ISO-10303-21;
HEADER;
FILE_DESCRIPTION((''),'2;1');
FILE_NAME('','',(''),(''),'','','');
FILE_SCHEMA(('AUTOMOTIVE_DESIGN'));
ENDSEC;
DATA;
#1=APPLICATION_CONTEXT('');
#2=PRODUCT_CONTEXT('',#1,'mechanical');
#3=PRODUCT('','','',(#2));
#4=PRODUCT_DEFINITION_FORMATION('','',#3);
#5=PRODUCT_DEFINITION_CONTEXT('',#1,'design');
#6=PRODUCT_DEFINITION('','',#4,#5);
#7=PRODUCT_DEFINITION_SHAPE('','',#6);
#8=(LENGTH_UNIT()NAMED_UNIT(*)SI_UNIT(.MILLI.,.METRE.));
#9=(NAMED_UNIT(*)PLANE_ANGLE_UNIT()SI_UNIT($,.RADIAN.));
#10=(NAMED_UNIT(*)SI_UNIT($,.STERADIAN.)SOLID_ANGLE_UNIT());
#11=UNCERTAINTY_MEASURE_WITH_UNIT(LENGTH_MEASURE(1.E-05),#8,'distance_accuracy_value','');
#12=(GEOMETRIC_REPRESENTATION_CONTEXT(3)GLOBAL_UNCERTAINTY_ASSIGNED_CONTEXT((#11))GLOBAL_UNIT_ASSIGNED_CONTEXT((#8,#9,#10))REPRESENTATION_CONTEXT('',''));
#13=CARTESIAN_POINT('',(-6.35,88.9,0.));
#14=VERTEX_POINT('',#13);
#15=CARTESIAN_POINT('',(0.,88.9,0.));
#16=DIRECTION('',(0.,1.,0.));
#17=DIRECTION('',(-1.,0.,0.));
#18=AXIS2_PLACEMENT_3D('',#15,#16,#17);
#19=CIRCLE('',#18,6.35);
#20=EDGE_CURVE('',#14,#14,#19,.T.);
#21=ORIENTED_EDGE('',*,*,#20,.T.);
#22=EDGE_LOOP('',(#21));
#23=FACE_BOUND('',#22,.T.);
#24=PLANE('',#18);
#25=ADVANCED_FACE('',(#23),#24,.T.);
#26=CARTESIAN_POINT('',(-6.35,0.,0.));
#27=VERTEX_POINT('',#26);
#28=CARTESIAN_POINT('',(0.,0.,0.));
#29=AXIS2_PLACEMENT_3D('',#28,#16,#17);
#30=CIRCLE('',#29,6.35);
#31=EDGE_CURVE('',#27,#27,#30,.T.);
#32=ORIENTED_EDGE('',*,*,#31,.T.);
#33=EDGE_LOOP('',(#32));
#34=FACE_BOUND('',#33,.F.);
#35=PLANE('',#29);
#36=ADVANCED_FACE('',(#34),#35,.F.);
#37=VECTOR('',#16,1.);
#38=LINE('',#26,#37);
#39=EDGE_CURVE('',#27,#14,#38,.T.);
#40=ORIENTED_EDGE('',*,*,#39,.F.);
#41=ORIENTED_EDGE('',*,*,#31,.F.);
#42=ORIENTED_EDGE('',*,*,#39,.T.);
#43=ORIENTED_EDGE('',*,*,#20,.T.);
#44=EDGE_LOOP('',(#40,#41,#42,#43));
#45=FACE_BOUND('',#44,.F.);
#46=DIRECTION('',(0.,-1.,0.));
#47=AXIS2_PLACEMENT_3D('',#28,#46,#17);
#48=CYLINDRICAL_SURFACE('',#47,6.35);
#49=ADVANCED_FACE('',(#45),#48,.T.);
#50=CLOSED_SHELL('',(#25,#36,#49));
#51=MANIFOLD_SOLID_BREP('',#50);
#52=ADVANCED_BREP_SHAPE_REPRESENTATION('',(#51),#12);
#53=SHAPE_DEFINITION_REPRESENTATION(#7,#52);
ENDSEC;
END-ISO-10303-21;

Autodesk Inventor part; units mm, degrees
ref_plane "YZ Plane" through (0, 0, 0) normal (1, 0, 0) x (0, 1, 0)
ref_plane "XZ Plane" through (0, 0, 0) normal (0, 1, 0) x (-1, 0, 0)
ref_plane "XY Plane" through (0, 0, 0) normal (0, 0, 1) x (1, 0, 0)
sketch "Sketch1" plane through (0, 0, 0) normal (0, 1, 0) x (-1, 0, 0)
  circle A0 centre (0, 0) radius 6.35
  dimension "d0" = 12.7
extrude "Extrusion1" add sketch "Sketch1" along normal blind 88.9
properties part number "Half Inch shaft"
